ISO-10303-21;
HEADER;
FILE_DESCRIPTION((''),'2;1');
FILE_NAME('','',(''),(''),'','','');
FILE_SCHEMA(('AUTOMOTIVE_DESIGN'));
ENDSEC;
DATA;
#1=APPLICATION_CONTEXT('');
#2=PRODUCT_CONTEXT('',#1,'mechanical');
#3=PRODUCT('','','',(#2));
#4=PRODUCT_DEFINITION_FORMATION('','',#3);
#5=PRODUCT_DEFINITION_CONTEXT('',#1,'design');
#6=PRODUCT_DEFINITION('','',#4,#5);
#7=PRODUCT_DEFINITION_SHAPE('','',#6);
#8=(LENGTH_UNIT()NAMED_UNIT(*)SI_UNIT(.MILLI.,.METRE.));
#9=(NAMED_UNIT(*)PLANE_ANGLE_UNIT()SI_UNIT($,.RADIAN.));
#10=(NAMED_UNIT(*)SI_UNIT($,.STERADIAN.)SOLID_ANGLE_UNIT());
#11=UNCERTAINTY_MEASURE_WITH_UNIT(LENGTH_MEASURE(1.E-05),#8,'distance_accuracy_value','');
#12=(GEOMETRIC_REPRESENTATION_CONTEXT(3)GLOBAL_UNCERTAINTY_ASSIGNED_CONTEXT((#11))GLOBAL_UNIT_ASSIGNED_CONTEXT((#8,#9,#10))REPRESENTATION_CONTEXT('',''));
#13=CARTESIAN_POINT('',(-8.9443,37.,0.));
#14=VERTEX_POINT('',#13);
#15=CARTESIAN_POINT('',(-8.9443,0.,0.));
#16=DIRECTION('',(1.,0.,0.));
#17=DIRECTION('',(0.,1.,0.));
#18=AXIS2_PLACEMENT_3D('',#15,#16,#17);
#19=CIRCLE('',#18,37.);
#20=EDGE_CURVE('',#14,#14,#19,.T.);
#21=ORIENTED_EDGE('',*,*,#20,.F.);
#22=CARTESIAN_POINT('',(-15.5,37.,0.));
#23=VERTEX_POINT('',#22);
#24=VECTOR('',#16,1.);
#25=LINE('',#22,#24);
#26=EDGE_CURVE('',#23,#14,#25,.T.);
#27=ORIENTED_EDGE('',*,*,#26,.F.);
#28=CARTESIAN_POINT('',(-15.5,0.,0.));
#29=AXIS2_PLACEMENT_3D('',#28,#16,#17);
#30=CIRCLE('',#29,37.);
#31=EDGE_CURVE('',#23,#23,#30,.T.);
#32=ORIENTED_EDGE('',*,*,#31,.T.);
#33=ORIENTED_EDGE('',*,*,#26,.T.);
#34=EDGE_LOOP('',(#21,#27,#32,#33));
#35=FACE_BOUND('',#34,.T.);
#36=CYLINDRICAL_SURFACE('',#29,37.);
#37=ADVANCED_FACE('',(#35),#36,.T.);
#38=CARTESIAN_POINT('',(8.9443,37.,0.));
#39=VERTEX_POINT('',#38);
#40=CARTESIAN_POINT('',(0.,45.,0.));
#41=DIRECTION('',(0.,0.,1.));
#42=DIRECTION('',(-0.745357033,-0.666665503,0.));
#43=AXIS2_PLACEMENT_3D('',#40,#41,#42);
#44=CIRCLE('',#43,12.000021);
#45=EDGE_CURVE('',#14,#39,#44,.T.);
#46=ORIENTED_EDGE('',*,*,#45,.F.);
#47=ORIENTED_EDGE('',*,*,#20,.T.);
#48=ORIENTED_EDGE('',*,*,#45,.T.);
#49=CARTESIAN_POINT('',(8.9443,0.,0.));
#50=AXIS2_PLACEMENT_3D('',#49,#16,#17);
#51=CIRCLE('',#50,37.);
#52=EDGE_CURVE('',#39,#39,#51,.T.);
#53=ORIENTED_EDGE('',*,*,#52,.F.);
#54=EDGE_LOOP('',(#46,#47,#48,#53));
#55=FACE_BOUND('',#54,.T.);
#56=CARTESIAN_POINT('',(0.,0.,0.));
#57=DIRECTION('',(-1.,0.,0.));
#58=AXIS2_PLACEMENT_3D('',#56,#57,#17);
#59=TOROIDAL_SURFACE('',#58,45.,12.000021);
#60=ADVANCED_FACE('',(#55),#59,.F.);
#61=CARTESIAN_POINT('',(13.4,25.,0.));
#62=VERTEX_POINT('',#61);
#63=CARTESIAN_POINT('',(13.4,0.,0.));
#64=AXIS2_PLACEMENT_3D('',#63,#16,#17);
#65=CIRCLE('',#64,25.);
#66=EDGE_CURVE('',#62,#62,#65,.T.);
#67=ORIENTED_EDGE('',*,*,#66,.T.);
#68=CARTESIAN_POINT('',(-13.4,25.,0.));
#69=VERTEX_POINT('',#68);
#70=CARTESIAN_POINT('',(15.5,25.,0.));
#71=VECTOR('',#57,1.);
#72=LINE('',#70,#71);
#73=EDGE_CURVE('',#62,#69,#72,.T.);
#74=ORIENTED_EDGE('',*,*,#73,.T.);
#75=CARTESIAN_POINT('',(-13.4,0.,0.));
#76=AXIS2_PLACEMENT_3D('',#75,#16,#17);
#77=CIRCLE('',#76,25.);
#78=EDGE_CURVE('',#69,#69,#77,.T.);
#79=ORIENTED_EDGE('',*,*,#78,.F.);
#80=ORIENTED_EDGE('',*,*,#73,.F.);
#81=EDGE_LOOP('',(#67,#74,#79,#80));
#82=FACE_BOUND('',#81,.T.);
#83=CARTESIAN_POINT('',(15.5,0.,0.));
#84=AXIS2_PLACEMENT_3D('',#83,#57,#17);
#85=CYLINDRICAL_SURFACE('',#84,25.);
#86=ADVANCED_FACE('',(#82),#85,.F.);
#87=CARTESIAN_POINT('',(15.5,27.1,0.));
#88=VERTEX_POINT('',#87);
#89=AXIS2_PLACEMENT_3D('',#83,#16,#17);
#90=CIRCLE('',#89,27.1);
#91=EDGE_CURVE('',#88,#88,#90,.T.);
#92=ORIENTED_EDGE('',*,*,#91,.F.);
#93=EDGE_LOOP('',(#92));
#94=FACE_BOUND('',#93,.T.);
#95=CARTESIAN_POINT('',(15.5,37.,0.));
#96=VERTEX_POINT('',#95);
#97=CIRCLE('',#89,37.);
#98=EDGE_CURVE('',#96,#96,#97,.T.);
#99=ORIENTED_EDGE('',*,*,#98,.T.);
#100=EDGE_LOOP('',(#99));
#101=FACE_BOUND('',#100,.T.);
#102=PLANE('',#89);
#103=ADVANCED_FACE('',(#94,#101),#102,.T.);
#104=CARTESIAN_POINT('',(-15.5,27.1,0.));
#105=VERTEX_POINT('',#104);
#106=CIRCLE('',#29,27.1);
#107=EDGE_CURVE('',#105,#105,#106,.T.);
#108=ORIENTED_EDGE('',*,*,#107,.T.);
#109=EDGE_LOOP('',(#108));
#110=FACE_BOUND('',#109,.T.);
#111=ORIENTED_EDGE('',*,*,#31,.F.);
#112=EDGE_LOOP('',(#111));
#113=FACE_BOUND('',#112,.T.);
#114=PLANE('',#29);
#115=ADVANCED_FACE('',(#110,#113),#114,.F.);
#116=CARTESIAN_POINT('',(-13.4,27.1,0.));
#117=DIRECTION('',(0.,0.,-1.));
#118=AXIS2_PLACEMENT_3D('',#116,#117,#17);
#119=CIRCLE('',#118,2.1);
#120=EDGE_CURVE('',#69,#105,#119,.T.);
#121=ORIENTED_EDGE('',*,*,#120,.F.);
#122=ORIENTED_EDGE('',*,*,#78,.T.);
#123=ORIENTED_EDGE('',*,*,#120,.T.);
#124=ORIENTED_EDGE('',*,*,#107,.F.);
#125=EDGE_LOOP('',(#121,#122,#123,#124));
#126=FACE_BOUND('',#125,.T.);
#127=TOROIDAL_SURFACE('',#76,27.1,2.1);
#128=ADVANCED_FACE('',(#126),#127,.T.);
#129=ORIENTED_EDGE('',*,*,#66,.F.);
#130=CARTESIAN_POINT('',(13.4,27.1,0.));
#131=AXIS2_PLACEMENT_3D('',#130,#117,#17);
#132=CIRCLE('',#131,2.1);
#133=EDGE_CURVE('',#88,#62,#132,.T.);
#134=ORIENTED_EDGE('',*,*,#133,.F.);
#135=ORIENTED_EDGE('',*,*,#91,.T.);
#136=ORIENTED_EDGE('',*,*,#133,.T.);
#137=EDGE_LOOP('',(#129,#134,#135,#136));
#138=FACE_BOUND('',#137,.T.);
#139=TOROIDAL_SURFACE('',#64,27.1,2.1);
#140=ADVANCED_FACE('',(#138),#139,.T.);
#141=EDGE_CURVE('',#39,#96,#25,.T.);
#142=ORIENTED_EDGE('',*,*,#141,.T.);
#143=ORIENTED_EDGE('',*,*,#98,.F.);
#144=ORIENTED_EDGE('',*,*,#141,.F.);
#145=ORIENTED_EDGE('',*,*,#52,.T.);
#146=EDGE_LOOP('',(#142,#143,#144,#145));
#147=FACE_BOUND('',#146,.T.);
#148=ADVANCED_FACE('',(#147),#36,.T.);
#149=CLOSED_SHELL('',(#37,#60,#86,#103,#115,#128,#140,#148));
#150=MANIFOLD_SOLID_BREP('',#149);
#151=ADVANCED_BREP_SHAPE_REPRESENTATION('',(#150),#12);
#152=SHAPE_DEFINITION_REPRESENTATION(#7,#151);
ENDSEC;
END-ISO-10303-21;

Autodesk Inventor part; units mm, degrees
ref_plane "YZ Plane" through (0, 0, 0) normal (1, 0, 0) x (0, 1, 0)
ref_plane "XZ Plane" through (0, 0, 0) normal (0, 1, 0) x (-1, 0, 0)
ref_plane "XY Plane" through (0, 0, 0) normal (0, 0, 1) x (1, 0, 0)
sketch "Sketch1" plane through (0, 0, 0) normal (0, 0, 1) x (1, 0, 0)
  line L0 (-15.5, 37) -> (15.5, 37)
  line L1 (15.5, 37) -> (15.5, 25)
  line L2 (15.5, 25) -> (-15.5, 25)
  line L3 (-15.5, 25) -> (-15.5, 37)
  arc A0 (-8.9443, 37) -> (8.9443, 37) centre (0, 45) ccw
  line L4 (-21.7, 0) -> (21.7, 0) projected
  point P0 (0, 0)
  dimension "d0" = 31
  dimension "d1" = 12
  dimension "d2" = 8
  dimension "d3" = 12
  dimension "d4" = 25
  dimension "d5" = 15.5
revolve "Revolution1" add sketch "Sketch1" angle 360 about axis through (-10, 0, 0) along (1, 0, 0) contours L0 A0 L1 L2 L3
fillet "Fillet1" radius 2.1 2 edges at (15.5, -25, 0) (-15.5, -25, 0)
properties part number "Inner Ring"
